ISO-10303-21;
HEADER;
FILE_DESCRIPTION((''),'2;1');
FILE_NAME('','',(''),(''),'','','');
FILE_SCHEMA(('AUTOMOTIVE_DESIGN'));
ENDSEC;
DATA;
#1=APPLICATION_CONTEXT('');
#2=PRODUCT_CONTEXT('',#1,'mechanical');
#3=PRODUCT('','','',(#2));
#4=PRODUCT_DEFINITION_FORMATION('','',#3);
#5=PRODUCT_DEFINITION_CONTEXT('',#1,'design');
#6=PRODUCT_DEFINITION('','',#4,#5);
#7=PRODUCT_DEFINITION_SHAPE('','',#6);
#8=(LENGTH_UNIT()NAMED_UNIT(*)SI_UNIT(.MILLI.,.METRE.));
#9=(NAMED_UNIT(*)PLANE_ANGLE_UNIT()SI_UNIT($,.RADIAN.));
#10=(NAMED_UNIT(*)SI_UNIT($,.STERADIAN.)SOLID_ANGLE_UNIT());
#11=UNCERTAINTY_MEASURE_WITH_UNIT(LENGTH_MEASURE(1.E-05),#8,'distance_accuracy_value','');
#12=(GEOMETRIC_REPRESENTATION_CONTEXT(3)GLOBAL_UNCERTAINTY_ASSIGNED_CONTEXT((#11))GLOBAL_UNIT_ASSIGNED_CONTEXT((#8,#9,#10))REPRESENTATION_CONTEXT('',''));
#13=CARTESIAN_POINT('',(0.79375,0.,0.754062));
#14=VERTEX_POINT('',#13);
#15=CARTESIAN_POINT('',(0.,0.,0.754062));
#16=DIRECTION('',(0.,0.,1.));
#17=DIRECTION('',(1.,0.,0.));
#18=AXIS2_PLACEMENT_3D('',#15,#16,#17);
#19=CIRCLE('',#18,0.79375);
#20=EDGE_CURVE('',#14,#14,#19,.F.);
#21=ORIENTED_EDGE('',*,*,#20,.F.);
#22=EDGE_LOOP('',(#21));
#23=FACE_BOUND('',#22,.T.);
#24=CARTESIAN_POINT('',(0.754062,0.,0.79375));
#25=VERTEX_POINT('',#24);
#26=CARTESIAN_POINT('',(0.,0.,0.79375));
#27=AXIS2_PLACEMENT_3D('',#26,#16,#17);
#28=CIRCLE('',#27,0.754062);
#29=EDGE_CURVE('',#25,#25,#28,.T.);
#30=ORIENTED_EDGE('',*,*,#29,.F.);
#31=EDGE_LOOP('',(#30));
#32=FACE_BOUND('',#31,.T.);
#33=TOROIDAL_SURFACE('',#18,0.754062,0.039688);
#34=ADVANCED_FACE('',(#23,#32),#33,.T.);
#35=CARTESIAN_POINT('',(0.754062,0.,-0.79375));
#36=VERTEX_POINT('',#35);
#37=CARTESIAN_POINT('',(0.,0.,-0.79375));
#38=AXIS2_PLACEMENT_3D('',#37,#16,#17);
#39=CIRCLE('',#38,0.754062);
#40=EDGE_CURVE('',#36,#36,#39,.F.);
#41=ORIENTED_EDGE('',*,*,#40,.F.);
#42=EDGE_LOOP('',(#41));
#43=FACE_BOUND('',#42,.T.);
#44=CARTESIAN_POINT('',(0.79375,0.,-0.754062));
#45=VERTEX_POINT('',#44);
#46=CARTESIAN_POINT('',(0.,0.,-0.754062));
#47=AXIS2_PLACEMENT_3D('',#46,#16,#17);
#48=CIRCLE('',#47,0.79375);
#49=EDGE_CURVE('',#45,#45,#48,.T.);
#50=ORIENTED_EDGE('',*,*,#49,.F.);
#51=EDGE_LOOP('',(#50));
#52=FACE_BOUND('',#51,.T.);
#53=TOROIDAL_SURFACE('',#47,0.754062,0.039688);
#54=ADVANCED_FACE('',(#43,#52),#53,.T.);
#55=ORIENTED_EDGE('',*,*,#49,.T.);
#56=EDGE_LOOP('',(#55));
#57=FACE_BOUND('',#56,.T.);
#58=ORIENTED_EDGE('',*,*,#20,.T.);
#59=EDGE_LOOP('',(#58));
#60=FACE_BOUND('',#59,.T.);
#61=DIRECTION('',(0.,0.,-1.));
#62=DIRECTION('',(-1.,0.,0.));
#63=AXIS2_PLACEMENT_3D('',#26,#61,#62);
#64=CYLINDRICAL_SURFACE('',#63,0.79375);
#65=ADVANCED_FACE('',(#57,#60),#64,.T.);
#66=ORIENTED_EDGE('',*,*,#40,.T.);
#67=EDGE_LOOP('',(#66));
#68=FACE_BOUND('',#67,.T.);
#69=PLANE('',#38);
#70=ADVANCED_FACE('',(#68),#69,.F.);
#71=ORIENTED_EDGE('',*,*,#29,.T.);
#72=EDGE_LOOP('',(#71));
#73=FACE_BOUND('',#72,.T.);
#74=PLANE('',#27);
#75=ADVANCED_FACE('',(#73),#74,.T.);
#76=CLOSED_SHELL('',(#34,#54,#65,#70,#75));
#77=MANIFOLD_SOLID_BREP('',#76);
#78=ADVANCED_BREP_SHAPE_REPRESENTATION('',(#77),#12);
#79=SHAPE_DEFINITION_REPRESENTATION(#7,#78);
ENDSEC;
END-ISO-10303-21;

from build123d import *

# Parameters (mm, degrees)
SKETCH3_R                = 0.79375
BOSS_EXTRUDE1_DEPTH      = 0.79375
BOSS_EXTRUDE1_DEPTH_BACK = 0.79375
FILLET1_R                = 0.0396875


with BuildPart() as part:
    # Sketch3 → Boss-Extrude1 (new body, two sides)
    with BuildSketch(Plane.XY) as boss_extrude1_sk:
        Circle(SKETCH3_R)
    extrude(amount=BOSS_EXTRUDE1_DEPTH)
    extrude(boss_extrude1_sk.sketch, amount=-BOSS_EXTRUDE1_DEPTH_BACK)

    # Fillet1
    fillet1_edges = [part.edges().sort_by_distance(p)[0] for p in [
        (-0.79375, 0, -0.79375),
        (-0.79375, 0, 0.79375),
    ]]
    fillet(fillet1_edges, radius=FILLET1_R)


solid = part.part
